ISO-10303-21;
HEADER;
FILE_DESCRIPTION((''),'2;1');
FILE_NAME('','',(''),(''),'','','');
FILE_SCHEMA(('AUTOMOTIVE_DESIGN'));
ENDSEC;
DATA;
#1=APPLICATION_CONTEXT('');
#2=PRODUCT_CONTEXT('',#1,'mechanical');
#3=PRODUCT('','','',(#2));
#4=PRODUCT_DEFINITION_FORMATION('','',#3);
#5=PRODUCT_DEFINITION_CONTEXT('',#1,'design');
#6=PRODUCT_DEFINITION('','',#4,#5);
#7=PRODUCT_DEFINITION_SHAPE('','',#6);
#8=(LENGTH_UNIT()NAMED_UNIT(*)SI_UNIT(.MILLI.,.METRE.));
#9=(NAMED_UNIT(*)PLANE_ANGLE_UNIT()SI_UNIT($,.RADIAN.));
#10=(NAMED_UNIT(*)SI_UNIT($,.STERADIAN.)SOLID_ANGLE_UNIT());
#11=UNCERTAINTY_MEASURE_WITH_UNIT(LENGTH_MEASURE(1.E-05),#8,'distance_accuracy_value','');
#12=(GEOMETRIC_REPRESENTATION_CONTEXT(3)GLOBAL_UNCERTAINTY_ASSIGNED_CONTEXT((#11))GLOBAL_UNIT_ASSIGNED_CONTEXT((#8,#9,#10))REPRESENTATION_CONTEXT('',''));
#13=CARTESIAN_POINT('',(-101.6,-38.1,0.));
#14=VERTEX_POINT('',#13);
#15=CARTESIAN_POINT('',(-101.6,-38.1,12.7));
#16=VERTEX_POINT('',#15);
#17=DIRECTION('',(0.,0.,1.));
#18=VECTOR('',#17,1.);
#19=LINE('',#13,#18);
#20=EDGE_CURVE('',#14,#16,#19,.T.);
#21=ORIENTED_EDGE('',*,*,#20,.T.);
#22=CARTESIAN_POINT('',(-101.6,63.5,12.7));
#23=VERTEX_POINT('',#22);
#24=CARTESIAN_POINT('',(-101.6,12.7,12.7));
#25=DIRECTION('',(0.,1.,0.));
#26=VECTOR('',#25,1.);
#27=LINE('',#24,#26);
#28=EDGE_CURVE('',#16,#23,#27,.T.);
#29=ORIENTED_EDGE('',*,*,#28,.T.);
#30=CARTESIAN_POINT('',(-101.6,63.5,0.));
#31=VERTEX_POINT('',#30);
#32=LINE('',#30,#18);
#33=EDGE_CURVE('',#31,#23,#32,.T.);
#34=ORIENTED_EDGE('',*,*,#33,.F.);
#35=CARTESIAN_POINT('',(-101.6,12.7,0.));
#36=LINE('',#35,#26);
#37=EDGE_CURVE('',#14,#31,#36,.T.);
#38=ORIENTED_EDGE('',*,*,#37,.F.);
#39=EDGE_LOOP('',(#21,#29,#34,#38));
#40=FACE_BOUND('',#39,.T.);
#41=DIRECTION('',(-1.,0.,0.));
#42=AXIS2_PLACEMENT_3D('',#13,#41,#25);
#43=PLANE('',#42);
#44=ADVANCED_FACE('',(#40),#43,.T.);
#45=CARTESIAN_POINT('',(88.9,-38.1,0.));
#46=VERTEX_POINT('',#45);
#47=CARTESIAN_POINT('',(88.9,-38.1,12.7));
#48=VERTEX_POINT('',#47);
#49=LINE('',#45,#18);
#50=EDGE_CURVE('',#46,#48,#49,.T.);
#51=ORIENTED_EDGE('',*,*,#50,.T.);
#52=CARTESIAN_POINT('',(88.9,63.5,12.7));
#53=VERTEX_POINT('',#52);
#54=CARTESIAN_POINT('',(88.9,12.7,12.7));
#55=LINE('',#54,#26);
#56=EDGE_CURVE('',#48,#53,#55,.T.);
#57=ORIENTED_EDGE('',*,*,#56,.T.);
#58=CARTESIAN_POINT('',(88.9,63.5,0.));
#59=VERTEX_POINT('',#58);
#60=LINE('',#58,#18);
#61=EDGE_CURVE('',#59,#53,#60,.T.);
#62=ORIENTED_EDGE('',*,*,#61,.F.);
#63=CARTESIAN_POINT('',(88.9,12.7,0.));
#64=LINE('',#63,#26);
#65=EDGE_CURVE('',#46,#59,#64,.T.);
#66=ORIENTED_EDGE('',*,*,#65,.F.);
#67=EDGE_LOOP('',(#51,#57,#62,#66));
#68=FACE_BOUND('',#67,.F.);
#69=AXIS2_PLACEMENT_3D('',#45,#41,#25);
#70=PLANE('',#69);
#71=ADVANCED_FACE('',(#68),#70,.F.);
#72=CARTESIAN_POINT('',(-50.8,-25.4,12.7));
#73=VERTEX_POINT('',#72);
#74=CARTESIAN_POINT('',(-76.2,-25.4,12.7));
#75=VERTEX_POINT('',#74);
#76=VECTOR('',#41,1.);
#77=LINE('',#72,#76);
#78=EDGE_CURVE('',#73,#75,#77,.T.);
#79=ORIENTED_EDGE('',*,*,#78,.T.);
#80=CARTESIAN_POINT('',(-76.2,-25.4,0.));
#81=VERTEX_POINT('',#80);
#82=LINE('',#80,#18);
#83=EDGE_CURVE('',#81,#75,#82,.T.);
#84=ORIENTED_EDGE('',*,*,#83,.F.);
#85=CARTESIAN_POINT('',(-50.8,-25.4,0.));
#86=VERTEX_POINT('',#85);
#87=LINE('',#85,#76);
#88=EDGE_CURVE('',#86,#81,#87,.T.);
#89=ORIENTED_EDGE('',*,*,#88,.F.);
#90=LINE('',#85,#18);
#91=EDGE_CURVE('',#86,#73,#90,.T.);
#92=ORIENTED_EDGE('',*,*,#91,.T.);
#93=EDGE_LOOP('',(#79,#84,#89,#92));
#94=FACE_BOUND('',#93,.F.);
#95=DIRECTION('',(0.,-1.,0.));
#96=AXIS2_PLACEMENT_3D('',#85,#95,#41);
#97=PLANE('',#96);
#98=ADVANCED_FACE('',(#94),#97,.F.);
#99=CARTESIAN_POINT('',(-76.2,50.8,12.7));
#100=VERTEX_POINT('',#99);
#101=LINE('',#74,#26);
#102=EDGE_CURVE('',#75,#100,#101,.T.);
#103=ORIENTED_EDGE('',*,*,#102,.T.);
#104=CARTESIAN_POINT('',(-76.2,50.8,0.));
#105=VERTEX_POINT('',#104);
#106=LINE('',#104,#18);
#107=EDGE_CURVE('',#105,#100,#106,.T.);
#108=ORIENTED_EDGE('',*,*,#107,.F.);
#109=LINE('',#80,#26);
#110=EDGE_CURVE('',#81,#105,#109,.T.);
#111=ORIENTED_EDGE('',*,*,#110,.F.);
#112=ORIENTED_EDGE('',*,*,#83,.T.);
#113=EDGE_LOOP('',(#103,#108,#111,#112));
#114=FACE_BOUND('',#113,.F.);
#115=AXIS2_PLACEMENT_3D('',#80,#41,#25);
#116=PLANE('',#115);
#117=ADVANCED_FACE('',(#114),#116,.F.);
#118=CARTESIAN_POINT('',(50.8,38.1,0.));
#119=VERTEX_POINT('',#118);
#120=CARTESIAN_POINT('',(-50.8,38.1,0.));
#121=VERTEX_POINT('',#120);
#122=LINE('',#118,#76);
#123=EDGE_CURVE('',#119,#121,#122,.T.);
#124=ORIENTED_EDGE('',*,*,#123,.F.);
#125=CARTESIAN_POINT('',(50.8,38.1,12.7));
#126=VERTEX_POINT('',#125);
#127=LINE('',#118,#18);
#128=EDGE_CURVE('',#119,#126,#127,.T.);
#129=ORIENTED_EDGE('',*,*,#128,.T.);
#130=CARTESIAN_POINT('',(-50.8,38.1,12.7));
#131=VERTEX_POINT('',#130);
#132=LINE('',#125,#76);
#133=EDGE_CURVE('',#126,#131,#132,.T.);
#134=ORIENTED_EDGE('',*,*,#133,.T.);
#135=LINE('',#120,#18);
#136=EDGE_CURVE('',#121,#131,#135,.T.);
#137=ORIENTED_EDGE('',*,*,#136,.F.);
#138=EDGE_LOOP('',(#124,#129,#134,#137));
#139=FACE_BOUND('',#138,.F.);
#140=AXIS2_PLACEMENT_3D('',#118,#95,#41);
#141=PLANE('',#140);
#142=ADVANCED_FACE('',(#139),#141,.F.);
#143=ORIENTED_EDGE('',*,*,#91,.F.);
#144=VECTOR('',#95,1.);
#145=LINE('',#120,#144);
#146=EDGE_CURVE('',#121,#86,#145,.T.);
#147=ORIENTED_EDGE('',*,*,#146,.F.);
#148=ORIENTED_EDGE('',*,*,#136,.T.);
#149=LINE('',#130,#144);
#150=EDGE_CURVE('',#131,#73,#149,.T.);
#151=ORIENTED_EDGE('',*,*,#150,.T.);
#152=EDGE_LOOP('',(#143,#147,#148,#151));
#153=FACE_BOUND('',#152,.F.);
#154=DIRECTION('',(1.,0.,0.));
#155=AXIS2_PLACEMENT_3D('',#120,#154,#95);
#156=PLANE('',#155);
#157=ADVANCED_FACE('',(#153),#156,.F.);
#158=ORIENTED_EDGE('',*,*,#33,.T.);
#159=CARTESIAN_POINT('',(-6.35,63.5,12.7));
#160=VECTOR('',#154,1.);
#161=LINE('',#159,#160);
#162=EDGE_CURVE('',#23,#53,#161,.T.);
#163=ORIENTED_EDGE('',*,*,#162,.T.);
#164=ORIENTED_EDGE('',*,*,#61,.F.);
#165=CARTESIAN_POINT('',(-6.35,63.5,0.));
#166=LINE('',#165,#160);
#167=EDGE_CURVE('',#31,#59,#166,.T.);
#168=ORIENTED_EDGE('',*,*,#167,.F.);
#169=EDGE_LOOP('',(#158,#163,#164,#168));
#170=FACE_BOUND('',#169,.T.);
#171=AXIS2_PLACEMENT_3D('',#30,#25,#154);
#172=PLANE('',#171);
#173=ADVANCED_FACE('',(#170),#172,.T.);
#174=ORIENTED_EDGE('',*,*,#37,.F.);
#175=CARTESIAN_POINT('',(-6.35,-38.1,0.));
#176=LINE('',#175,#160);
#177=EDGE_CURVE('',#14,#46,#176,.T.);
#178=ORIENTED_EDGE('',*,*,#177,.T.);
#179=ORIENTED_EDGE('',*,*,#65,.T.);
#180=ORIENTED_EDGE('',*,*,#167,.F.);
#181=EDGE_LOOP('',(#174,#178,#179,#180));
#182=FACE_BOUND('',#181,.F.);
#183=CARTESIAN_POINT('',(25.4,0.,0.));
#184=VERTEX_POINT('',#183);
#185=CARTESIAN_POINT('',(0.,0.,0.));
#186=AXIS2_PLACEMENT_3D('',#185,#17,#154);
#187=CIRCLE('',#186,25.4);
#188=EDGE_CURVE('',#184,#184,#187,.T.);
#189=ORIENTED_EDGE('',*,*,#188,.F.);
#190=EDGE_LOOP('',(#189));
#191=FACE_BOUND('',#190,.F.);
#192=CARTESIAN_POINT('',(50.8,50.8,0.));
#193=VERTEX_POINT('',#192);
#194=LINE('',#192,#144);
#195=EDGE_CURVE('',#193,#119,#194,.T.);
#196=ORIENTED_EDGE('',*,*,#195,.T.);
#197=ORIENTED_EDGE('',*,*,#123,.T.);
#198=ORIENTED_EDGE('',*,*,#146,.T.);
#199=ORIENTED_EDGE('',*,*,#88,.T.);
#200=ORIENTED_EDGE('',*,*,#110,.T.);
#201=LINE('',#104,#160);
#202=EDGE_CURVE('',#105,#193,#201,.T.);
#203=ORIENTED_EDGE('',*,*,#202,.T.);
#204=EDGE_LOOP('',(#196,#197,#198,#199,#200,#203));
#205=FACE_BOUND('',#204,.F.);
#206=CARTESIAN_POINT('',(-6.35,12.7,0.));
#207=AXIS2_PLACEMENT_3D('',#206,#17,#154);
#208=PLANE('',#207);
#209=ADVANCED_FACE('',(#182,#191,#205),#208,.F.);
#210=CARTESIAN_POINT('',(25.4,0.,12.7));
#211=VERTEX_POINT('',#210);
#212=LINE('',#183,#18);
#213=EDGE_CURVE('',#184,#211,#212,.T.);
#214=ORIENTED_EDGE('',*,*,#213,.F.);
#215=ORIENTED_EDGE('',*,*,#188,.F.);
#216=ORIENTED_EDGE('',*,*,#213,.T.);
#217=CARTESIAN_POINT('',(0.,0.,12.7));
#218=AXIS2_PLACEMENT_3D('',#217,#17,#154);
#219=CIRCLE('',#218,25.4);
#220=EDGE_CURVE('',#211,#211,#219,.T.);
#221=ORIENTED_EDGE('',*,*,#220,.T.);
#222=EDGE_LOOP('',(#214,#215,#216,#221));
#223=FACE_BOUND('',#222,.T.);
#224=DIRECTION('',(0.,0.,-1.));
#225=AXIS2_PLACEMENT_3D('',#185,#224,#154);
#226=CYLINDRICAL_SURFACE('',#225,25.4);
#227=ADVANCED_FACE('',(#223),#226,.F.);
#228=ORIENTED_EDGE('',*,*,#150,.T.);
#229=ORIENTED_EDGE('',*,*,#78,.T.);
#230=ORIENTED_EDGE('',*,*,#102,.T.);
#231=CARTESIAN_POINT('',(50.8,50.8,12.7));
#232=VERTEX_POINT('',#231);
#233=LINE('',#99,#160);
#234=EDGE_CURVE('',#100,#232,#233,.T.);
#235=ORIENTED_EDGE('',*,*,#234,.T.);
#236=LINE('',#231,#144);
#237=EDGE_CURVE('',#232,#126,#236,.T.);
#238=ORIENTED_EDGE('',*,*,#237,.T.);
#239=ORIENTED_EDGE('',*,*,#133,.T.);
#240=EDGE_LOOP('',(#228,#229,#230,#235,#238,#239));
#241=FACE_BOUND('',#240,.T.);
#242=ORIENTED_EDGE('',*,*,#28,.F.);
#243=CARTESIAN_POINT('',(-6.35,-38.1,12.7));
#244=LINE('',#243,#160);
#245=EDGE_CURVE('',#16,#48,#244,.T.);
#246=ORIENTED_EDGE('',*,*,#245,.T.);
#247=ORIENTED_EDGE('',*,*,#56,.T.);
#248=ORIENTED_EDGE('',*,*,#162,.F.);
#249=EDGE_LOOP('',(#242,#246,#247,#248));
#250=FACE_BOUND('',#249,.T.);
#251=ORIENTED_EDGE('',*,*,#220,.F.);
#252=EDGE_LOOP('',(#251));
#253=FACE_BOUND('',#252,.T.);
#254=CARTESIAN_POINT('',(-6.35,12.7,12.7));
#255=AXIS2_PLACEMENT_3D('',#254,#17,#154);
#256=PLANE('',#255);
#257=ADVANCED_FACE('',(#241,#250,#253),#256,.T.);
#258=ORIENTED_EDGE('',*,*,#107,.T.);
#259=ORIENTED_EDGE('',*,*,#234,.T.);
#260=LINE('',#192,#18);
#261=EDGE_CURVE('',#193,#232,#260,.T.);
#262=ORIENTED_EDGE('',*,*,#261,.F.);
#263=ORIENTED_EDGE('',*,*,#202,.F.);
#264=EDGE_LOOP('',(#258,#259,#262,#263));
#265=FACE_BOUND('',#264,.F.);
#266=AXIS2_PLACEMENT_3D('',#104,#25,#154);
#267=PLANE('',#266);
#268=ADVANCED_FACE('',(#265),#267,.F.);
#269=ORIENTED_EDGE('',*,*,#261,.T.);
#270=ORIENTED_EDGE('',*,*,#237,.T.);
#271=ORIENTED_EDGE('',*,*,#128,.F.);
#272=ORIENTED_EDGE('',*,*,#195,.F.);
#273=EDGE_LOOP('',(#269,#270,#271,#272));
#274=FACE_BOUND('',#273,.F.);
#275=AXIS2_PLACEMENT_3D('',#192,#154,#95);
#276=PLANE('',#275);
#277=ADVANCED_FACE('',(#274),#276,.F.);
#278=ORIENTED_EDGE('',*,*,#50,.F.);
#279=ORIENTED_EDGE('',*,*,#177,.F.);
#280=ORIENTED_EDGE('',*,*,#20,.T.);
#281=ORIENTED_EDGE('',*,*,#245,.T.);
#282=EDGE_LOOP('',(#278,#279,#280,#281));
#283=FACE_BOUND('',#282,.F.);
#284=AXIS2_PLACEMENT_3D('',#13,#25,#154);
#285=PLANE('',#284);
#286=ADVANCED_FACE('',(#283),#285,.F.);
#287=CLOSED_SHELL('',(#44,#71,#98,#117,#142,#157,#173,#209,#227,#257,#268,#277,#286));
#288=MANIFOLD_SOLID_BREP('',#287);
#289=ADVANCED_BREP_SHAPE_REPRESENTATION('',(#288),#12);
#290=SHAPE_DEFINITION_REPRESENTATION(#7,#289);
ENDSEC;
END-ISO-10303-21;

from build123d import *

# Parameters (mm, degrees)
F0_W     = 190.5
F0_H     = 101.6
F0_R     = 25.4
F1_DEPTH = 12.7


with BuildPart() as f1:
    # F0 (on Top) → F1 (new body)
    with BuildSketch(Plane.XY):
        with Locations((-6.35, 12.7)):
            Rectangle(F0_W, F0_H)
        Polygon((-76.2, -25.4), (-76.2, 50.8), (-50.8, 50.8), (50.8, 50.8), (50.8, 38.1), (-50.8, 38.1), (-50.8, -25.4), align=None, mode=Mode.SUBTRACT)
        Circle(F0_R, mode=Mode.SUBTRACT)
    extrude(amount=F1_DEPTH)


solid = f1.part
